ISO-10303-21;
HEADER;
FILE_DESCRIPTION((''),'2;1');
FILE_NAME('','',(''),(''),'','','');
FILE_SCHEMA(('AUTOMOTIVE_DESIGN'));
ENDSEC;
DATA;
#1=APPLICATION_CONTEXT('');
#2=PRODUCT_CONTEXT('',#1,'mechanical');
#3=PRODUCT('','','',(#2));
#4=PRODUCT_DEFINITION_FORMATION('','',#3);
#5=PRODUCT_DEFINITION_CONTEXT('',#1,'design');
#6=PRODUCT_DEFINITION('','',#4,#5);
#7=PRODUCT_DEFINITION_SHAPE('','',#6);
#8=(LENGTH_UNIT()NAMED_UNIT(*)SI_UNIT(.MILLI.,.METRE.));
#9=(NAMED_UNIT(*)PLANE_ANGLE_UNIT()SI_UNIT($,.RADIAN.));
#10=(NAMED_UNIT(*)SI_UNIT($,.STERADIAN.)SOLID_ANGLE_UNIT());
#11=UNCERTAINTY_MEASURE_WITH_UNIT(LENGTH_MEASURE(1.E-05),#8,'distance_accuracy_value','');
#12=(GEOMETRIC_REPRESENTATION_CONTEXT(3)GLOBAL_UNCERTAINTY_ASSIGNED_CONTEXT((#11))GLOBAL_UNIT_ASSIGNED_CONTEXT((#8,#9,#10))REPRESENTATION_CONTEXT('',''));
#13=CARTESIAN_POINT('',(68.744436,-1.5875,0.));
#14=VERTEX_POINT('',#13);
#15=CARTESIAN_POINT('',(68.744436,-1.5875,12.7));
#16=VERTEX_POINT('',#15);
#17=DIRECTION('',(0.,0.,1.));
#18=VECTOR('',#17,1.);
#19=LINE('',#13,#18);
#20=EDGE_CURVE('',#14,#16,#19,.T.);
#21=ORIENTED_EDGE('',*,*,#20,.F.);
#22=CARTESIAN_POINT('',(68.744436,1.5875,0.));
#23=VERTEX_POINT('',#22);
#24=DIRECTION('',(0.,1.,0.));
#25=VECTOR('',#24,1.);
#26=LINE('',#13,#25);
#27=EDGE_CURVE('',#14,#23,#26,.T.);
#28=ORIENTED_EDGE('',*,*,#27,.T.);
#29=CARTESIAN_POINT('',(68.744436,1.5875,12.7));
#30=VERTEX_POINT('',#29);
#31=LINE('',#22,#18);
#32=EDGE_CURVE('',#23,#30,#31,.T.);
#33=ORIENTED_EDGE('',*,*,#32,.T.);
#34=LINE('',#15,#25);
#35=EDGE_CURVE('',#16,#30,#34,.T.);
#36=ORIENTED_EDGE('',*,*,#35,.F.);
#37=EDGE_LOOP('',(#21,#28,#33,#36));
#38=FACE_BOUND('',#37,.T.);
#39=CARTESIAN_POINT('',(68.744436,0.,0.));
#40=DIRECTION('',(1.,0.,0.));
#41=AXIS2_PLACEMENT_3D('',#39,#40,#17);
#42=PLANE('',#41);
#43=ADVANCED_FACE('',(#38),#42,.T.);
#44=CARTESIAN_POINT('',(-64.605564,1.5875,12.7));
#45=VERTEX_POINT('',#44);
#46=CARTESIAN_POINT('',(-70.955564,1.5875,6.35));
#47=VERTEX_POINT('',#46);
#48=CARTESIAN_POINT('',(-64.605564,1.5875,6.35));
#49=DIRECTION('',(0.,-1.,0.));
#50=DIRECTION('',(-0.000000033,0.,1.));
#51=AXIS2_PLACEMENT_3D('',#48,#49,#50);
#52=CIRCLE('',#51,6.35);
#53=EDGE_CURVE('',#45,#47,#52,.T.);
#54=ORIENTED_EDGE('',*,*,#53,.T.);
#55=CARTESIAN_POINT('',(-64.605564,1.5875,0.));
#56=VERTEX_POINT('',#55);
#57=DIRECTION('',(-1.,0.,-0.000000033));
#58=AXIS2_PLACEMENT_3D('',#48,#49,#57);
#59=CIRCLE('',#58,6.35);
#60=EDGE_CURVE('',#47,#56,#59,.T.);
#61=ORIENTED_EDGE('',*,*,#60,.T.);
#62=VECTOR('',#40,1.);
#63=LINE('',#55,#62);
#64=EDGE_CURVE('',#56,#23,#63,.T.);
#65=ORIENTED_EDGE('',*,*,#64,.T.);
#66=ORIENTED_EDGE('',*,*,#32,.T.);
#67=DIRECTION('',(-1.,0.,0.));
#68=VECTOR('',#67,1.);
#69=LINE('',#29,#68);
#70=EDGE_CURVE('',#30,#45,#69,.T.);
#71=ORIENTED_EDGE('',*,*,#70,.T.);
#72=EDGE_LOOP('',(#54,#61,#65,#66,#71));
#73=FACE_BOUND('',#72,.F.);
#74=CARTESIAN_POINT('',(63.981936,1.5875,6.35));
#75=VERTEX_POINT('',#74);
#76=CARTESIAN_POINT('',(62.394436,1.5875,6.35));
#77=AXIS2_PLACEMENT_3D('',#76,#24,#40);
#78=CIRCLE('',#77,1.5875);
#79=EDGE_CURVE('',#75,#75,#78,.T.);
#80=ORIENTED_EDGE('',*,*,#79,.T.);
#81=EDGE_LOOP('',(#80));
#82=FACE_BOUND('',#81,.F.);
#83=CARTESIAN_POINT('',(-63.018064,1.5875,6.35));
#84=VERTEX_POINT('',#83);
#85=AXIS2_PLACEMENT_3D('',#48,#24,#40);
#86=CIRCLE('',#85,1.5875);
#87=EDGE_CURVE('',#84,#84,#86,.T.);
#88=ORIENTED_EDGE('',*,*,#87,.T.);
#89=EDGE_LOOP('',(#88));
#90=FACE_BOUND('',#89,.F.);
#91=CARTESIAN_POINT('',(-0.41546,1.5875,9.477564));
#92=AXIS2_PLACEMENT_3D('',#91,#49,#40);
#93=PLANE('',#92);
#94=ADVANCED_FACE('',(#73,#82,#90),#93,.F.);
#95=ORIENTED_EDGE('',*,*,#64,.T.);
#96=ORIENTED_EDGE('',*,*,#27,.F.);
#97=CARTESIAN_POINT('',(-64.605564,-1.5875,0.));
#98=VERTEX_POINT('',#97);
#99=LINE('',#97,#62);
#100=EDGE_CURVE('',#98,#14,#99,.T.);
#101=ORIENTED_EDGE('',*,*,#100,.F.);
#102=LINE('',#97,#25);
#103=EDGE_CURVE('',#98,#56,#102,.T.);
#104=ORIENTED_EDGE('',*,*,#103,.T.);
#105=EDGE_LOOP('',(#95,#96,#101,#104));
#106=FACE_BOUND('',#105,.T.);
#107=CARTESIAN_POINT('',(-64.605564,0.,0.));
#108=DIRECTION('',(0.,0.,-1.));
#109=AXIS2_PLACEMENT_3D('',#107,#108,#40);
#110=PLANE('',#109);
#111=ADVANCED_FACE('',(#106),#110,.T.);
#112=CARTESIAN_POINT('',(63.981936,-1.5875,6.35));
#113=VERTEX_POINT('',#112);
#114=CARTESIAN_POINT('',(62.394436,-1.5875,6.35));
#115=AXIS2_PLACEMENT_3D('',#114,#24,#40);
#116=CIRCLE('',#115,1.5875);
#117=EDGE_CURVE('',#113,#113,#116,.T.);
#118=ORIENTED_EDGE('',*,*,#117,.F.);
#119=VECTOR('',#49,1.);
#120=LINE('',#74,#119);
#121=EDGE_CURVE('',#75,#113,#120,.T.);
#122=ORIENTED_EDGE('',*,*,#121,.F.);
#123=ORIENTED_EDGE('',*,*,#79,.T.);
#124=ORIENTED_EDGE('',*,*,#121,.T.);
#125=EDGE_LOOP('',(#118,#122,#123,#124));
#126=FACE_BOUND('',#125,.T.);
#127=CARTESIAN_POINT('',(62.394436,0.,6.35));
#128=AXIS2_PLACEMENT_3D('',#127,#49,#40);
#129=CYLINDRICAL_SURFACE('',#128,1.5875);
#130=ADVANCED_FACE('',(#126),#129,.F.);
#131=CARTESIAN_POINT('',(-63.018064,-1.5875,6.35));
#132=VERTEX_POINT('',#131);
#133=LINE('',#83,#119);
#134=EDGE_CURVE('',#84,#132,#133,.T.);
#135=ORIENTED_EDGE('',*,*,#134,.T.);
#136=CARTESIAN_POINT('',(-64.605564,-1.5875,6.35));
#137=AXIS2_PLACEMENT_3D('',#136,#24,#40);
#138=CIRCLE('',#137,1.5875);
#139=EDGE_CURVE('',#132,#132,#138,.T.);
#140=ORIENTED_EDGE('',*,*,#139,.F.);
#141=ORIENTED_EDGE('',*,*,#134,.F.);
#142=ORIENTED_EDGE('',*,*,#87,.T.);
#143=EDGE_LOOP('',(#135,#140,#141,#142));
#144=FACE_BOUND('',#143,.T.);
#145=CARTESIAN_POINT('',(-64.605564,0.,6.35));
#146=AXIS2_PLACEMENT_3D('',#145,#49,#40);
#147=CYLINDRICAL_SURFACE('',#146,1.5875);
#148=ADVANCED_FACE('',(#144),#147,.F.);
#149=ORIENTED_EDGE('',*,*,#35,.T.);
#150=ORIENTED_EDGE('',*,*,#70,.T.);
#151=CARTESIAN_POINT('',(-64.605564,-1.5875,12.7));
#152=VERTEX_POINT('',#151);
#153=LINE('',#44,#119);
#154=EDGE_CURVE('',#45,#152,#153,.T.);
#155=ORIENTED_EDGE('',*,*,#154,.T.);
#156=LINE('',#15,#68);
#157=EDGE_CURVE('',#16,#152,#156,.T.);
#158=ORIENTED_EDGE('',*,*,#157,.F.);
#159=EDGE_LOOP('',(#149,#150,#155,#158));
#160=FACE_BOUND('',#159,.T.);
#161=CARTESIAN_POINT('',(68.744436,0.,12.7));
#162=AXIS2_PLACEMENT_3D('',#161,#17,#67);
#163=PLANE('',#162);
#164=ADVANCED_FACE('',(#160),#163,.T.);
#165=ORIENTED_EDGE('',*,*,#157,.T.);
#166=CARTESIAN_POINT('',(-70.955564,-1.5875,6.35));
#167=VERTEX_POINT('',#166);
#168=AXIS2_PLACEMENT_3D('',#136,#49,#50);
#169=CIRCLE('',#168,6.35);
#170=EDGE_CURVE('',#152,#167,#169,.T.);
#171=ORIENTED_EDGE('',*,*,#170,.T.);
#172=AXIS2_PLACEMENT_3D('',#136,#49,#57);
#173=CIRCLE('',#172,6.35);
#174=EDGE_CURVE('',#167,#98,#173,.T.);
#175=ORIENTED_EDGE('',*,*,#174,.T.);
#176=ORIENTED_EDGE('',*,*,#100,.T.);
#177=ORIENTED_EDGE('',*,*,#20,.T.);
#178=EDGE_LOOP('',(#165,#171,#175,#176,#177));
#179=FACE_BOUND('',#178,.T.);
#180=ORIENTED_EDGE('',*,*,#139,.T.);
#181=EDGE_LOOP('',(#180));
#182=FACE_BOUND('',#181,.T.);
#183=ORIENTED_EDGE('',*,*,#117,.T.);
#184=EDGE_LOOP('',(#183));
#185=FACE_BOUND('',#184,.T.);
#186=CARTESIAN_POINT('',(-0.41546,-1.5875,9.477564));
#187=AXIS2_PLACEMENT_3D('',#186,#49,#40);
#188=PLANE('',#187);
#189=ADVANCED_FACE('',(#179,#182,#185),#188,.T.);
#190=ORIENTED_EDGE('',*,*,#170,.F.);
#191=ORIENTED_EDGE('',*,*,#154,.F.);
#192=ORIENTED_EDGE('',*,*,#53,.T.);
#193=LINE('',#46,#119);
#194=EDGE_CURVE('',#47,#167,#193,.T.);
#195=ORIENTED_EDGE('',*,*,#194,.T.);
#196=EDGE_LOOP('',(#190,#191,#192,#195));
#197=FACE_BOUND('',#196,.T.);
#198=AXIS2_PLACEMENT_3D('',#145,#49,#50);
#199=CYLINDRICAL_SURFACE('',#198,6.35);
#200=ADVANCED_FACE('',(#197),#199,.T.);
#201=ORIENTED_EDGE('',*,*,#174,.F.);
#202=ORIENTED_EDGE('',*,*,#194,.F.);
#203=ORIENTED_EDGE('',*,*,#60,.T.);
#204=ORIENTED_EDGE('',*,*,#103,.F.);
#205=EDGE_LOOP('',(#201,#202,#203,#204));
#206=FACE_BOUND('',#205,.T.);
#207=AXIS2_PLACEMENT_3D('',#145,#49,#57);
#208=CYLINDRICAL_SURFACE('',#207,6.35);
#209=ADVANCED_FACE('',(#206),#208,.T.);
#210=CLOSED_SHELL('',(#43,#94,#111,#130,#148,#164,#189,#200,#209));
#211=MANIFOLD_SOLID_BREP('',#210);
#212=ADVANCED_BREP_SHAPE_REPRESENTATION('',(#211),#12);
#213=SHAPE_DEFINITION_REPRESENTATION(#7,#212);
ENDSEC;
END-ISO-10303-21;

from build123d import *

# Parameters (mm, degrees)
F1_DEPTH      = 1.5875
F1_DEPTH_BACK = 1.5875


with BuildPart() as f1:
    # F0 (on Front) → F1 (new body, two sides)
    with BuildSketch(Plane.XZ) as f1_sk:
        with BuildLine():
            Line((68.744436, 6.35), (68.744436, 12.7))
            Line((68.744436, 12.7), (-64.605564, 12.7))
            ThreePointArc((-64.605564, 12.7), (-69.095692, 10.840128), (-70.955564, 6.35))
            Line((-70.955564, 6.35), (-66.193064, 6.35))
            ThreePointArc((-66.193064, 6.35), (-64.605564, 7.9375), (-63.018064, 6.35))
            Line((-63.018064, 6.35), (60.806936, 6.35))
            ThreePointArc((60.806936, 6.35), (62.394436, 7.9375), (63.981936, 6.35))
            Line((63.981936, 6.35), (68.744436, 6.35))
        make_face()
        with BuildLine():
            Line((68.744436, 0), (68.744436, 6.35))
            Line((68.744436, 6.35), (63.981936, 6.35))
            ThreePointArc((63.981936, 6.35), (62.394436, 4.7625), (60.806936, 6.35))
            Line((60.806936, 6.35), (-63.018064, 6.35))
            ThreePointArc((-63.018064, 6.35), (-64.605564, 4.7625), (-66.193064, 6.35))
            Line((-66.193064, 6.35), (-70.955564, 6.35))
            ThreePointArc((-70.955564, 6.35), (-69.095692, 1.859872), (-64.605564, 0))
            Line((-64.605564, 0), (68.744436, 0))
        make_face()
    extrude(amount=F1_DEPTH)
    extrude(f1_sk.sketch, amount=-F1_DEPTH_BACK)


solid = f1.part
